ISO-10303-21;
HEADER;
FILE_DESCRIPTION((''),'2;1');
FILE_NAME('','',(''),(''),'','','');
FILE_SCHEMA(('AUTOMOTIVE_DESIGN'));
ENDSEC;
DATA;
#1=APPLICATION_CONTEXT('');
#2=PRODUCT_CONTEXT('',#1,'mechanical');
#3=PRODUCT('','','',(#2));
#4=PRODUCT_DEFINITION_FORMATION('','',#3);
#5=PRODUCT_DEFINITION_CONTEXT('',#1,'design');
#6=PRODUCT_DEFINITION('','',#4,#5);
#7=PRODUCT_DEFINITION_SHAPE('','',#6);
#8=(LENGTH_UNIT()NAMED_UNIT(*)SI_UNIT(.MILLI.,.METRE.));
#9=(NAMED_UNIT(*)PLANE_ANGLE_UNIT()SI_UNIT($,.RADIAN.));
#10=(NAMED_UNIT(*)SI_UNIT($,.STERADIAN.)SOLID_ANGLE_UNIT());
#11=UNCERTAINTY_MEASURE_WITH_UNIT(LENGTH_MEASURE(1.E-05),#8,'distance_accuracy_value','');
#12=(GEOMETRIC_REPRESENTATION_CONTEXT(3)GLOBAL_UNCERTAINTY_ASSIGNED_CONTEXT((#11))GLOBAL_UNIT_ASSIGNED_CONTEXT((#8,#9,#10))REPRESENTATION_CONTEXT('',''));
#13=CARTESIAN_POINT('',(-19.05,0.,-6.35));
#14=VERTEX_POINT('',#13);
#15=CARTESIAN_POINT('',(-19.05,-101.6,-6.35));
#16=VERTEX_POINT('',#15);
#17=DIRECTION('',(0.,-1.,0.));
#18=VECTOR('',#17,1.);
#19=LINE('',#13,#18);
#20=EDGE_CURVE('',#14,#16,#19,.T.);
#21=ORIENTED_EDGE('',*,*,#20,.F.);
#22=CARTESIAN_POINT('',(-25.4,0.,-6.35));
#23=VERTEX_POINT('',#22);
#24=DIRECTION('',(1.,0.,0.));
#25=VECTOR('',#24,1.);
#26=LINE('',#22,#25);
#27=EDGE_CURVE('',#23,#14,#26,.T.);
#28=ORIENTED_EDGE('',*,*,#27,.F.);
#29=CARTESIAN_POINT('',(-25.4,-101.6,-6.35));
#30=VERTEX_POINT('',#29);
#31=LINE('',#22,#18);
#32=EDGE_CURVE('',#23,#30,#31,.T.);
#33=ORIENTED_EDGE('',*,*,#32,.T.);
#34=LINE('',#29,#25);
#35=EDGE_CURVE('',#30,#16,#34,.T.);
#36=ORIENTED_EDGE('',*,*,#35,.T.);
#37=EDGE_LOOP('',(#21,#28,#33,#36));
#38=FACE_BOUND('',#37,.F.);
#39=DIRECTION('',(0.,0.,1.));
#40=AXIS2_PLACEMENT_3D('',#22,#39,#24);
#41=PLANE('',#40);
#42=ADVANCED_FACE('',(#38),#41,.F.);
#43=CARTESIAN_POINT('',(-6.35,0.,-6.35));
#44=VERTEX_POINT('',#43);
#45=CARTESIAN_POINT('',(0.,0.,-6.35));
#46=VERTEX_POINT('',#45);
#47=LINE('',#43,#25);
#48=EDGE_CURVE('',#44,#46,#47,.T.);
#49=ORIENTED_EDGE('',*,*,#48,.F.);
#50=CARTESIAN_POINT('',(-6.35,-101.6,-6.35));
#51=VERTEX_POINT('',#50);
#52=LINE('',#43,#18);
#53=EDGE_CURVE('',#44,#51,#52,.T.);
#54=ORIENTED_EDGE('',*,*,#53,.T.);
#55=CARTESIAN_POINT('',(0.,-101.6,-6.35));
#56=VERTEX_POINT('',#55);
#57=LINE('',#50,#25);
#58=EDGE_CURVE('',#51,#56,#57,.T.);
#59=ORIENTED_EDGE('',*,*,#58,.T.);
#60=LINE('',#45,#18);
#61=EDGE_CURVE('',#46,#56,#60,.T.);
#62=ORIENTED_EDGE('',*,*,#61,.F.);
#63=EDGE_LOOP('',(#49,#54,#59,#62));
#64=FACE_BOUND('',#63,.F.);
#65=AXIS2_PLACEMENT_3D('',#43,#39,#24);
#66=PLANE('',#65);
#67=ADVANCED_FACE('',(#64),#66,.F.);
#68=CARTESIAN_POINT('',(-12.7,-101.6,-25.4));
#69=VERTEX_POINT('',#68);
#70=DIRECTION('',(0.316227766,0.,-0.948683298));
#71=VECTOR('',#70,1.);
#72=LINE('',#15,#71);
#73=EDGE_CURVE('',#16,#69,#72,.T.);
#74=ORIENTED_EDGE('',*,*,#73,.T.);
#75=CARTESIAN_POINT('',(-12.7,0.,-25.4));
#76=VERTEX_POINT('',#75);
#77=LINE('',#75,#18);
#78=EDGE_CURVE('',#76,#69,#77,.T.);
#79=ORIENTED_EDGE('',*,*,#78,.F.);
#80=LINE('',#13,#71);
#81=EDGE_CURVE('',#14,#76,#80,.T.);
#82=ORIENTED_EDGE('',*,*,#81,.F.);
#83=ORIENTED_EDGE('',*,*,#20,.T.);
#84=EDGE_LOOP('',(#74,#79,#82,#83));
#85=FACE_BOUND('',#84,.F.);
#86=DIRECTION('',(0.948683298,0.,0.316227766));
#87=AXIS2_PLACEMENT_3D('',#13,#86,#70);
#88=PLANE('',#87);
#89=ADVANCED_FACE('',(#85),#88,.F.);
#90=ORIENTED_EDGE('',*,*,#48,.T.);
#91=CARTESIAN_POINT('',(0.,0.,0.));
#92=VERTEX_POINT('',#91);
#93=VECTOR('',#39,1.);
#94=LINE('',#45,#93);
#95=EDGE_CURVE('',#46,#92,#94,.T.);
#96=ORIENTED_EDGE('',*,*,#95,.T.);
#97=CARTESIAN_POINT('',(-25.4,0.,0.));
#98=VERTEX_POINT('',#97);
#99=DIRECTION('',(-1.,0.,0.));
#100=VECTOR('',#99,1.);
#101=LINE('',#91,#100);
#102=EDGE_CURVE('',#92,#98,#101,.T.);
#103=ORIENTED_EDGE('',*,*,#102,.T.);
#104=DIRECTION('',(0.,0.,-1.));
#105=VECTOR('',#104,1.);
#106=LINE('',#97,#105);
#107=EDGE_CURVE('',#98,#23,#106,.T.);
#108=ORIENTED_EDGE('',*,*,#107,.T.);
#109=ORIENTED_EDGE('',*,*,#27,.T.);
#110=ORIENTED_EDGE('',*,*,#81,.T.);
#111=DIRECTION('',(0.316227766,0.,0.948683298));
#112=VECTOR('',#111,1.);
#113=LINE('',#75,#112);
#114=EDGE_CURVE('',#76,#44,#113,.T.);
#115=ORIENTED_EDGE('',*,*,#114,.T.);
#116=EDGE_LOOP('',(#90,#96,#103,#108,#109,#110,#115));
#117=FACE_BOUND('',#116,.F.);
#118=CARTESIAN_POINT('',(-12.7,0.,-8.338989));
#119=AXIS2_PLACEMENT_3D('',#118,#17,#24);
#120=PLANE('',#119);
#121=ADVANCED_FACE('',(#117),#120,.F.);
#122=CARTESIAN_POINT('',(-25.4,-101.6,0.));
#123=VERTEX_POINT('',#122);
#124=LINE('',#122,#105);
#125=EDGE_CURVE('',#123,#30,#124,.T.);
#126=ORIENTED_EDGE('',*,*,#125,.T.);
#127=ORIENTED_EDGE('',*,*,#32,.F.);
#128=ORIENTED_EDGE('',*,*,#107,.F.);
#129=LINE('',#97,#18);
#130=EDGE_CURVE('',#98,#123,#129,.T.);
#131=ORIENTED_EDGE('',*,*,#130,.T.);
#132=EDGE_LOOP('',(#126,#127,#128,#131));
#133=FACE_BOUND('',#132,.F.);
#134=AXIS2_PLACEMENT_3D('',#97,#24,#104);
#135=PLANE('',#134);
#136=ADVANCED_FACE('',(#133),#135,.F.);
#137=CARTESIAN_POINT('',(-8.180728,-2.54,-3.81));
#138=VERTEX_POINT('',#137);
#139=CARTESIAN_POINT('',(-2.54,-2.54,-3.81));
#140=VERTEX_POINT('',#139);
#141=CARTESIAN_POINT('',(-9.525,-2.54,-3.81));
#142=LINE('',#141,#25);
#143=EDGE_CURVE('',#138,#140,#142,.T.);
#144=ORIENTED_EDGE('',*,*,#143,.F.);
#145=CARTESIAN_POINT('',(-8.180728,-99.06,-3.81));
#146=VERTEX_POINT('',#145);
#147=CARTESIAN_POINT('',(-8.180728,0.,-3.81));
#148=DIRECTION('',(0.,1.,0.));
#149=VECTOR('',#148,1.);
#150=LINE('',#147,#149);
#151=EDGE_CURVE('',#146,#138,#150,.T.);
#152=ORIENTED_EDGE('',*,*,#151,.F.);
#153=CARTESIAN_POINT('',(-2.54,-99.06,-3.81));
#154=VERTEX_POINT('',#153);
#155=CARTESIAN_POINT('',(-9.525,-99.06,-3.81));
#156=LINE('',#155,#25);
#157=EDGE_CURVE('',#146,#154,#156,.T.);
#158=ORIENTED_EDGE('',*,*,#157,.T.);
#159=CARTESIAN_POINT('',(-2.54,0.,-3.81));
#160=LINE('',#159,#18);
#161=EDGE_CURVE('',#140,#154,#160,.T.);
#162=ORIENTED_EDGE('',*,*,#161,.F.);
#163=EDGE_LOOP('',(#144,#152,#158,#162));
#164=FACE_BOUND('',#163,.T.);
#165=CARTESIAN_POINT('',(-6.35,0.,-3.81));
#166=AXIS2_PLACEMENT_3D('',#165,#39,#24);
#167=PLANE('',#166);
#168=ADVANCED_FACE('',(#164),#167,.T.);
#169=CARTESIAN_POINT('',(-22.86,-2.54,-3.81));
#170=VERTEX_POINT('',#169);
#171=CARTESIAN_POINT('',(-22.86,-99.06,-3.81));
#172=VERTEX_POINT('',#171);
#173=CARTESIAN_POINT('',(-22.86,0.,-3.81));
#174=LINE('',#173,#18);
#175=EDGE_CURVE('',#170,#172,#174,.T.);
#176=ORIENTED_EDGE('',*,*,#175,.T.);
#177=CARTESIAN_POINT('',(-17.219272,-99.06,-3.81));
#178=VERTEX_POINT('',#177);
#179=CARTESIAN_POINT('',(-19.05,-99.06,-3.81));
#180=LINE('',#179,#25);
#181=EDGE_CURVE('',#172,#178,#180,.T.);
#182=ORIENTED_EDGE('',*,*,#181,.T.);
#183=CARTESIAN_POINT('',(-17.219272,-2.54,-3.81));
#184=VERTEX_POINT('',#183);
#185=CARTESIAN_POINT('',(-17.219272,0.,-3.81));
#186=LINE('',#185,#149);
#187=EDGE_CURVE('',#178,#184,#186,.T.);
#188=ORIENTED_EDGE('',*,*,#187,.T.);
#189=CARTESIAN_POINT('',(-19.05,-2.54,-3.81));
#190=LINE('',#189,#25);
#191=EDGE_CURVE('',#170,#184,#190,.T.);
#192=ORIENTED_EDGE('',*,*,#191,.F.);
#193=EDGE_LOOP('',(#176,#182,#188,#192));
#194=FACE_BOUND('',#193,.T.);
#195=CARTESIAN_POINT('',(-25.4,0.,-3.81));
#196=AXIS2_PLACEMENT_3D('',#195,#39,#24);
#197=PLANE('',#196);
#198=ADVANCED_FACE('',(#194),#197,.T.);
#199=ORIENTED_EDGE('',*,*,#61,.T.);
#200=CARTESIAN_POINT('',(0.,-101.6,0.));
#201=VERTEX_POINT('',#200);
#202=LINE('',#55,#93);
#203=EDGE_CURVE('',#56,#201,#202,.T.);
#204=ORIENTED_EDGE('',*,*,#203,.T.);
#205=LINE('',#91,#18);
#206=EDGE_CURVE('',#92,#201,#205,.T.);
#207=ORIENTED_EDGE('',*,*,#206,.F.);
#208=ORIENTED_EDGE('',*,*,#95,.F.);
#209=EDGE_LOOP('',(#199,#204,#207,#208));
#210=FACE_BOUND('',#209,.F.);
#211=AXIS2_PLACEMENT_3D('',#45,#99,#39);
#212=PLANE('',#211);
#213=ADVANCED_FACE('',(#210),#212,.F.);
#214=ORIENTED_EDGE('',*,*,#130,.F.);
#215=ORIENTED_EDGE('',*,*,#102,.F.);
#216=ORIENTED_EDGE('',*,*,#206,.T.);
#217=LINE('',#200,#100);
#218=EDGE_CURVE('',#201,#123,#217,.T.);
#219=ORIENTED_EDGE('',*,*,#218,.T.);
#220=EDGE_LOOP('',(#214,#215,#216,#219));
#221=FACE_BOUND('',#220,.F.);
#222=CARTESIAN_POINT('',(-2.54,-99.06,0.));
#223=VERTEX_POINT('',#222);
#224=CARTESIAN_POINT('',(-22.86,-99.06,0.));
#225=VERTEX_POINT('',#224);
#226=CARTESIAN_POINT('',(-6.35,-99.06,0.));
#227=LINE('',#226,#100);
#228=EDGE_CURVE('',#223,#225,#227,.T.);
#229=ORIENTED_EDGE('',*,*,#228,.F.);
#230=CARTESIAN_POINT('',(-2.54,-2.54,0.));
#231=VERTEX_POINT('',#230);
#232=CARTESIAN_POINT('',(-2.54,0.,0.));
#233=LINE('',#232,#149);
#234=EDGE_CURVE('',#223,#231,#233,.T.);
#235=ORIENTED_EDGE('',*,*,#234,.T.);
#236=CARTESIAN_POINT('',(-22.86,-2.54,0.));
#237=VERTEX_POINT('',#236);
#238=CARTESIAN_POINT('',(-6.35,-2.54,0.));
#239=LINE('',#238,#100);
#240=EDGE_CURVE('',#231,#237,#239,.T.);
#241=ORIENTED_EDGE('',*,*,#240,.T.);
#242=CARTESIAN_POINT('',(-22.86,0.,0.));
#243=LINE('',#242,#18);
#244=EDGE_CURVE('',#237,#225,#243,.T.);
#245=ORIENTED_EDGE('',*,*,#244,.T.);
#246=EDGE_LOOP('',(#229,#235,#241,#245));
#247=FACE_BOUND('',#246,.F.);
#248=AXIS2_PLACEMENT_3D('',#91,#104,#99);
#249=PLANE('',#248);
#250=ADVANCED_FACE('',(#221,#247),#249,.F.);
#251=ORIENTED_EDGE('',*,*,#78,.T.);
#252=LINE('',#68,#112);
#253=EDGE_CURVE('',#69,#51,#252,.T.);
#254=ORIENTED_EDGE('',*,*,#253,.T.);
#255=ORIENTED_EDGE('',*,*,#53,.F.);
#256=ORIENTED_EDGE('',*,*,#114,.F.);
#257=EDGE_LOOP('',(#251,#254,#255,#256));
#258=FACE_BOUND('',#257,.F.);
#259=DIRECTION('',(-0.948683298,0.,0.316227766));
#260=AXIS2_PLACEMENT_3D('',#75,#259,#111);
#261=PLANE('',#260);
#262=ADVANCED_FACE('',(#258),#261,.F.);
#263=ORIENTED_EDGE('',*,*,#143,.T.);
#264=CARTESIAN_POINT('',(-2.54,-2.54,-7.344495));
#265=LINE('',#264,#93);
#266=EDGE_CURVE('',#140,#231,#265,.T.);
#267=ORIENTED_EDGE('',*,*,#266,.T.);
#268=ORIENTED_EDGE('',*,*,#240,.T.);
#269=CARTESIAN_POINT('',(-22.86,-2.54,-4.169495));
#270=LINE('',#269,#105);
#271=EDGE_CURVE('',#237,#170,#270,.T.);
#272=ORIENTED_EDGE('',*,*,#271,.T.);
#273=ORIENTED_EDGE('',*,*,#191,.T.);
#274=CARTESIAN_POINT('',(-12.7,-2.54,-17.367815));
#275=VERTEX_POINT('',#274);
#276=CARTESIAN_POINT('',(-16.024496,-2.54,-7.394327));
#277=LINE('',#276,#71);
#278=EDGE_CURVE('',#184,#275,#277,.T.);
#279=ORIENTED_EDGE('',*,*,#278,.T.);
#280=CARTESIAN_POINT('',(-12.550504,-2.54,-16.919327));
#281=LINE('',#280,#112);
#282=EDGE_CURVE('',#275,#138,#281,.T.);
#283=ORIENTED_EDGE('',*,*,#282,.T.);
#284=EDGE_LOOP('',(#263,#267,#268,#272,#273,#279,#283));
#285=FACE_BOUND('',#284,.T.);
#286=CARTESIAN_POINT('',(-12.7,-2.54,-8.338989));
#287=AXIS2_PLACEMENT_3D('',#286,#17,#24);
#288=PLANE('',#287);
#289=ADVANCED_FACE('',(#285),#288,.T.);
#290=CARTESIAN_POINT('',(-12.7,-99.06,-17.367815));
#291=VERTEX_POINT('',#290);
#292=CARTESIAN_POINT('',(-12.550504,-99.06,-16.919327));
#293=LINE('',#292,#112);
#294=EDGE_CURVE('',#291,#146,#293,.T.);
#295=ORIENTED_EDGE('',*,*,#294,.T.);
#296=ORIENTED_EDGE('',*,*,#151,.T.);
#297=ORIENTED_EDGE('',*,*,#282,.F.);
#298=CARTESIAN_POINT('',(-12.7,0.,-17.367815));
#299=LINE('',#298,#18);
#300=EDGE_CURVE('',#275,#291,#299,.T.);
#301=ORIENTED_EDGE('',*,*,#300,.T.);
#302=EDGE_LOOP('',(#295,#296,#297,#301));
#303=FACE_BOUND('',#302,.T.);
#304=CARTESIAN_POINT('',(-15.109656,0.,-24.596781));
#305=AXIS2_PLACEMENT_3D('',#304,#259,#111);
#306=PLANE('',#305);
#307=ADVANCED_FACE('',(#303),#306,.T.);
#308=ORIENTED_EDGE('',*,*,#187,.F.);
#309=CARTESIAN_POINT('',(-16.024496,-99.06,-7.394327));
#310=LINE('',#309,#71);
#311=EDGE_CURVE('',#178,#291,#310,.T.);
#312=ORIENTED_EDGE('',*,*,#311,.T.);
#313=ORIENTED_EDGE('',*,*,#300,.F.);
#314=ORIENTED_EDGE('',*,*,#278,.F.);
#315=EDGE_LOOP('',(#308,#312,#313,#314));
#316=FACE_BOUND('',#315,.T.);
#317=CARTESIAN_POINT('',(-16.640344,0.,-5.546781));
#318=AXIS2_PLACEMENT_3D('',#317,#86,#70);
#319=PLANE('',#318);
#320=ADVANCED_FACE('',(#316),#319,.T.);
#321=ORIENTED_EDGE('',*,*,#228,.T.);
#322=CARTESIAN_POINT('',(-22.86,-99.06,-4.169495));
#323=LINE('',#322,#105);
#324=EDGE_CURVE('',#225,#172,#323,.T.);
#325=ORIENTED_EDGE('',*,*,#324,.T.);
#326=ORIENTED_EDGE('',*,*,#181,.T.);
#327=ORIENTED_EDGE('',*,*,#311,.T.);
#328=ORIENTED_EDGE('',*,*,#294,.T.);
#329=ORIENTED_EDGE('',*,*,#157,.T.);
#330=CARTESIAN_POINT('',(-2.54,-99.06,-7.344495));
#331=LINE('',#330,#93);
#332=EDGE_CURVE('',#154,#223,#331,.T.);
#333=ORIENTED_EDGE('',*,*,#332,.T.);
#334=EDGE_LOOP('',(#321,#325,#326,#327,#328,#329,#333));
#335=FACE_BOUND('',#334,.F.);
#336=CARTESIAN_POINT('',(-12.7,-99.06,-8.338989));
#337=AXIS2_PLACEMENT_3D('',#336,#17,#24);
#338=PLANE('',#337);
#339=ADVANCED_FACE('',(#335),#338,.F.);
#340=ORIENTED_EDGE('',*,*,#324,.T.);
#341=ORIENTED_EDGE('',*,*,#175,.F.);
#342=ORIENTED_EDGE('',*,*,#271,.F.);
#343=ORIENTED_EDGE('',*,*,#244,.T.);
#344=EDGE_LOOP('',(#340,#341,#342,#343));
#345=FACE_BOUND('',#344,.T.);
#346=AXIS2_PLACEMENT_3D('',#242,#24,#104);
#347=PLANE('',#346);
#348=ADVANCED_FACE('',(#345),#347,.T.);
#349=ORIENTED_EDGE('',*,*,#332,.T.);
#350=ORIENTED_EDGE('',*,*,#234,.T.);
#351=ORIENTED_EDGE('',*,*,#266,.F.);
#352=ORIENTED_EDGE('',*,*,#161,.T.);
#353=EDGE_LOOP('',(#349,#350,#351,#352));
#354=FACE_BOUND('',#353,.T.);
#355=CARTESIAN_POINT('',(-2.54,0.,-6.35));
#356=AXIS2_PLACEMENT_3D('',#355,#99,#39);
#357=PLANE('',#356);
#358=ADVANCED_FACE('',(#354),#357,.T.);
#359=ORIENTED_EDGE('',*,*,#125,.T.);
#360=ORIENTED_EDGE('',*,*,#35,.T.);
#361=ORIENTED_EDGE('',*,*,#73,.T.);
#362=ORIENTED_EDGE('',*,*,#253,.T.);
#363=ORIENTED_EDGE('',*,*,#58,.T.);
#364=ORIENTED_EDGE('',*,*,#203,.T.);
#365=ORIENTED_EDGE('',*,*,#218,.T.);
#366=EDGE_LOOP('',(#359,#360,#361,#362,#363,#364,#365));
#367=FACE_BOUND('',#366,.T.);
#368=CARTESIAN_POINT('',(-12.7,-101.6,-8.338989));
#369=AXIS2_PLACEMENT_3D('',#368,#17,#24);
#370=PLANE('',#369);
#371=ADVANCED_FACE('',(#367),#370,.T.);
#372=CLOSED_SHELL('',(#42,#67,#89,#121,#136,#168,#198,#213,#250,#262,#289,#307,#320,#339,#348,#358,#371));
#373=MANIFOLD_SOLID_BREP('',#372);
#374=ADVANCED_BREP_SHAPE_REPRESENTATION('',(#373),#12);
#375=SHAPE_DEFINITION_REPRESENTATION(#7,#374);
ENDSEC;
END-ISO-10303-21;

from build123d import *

# Parameters (mm, degrees)
F1_DEPTH = 101.6
F2_T     = -2.54


with BuildPart() as f1:
    # F0 (on Front) → F1 (new body)
    with BuildSketch(Plane.XZ):
        Polygon((0, 0), (-25.4, 0), (-25.4, -6.35), (-19.05, -6.35), (-12.7, -25.4), (-6.35, -6.35), (0, -6.35), align=None)
    extrude(amount=F1_DEPTH)

    # F2
    f2_openings = [f1.faces().sort_by_distance(p)[0] for p in [
        (-12.7, -50.8, 0),
    ]]
    offset(amount=F2_T, openings=f2_openings, kind=Kind.INTERSECTION)


solid = f1.part
